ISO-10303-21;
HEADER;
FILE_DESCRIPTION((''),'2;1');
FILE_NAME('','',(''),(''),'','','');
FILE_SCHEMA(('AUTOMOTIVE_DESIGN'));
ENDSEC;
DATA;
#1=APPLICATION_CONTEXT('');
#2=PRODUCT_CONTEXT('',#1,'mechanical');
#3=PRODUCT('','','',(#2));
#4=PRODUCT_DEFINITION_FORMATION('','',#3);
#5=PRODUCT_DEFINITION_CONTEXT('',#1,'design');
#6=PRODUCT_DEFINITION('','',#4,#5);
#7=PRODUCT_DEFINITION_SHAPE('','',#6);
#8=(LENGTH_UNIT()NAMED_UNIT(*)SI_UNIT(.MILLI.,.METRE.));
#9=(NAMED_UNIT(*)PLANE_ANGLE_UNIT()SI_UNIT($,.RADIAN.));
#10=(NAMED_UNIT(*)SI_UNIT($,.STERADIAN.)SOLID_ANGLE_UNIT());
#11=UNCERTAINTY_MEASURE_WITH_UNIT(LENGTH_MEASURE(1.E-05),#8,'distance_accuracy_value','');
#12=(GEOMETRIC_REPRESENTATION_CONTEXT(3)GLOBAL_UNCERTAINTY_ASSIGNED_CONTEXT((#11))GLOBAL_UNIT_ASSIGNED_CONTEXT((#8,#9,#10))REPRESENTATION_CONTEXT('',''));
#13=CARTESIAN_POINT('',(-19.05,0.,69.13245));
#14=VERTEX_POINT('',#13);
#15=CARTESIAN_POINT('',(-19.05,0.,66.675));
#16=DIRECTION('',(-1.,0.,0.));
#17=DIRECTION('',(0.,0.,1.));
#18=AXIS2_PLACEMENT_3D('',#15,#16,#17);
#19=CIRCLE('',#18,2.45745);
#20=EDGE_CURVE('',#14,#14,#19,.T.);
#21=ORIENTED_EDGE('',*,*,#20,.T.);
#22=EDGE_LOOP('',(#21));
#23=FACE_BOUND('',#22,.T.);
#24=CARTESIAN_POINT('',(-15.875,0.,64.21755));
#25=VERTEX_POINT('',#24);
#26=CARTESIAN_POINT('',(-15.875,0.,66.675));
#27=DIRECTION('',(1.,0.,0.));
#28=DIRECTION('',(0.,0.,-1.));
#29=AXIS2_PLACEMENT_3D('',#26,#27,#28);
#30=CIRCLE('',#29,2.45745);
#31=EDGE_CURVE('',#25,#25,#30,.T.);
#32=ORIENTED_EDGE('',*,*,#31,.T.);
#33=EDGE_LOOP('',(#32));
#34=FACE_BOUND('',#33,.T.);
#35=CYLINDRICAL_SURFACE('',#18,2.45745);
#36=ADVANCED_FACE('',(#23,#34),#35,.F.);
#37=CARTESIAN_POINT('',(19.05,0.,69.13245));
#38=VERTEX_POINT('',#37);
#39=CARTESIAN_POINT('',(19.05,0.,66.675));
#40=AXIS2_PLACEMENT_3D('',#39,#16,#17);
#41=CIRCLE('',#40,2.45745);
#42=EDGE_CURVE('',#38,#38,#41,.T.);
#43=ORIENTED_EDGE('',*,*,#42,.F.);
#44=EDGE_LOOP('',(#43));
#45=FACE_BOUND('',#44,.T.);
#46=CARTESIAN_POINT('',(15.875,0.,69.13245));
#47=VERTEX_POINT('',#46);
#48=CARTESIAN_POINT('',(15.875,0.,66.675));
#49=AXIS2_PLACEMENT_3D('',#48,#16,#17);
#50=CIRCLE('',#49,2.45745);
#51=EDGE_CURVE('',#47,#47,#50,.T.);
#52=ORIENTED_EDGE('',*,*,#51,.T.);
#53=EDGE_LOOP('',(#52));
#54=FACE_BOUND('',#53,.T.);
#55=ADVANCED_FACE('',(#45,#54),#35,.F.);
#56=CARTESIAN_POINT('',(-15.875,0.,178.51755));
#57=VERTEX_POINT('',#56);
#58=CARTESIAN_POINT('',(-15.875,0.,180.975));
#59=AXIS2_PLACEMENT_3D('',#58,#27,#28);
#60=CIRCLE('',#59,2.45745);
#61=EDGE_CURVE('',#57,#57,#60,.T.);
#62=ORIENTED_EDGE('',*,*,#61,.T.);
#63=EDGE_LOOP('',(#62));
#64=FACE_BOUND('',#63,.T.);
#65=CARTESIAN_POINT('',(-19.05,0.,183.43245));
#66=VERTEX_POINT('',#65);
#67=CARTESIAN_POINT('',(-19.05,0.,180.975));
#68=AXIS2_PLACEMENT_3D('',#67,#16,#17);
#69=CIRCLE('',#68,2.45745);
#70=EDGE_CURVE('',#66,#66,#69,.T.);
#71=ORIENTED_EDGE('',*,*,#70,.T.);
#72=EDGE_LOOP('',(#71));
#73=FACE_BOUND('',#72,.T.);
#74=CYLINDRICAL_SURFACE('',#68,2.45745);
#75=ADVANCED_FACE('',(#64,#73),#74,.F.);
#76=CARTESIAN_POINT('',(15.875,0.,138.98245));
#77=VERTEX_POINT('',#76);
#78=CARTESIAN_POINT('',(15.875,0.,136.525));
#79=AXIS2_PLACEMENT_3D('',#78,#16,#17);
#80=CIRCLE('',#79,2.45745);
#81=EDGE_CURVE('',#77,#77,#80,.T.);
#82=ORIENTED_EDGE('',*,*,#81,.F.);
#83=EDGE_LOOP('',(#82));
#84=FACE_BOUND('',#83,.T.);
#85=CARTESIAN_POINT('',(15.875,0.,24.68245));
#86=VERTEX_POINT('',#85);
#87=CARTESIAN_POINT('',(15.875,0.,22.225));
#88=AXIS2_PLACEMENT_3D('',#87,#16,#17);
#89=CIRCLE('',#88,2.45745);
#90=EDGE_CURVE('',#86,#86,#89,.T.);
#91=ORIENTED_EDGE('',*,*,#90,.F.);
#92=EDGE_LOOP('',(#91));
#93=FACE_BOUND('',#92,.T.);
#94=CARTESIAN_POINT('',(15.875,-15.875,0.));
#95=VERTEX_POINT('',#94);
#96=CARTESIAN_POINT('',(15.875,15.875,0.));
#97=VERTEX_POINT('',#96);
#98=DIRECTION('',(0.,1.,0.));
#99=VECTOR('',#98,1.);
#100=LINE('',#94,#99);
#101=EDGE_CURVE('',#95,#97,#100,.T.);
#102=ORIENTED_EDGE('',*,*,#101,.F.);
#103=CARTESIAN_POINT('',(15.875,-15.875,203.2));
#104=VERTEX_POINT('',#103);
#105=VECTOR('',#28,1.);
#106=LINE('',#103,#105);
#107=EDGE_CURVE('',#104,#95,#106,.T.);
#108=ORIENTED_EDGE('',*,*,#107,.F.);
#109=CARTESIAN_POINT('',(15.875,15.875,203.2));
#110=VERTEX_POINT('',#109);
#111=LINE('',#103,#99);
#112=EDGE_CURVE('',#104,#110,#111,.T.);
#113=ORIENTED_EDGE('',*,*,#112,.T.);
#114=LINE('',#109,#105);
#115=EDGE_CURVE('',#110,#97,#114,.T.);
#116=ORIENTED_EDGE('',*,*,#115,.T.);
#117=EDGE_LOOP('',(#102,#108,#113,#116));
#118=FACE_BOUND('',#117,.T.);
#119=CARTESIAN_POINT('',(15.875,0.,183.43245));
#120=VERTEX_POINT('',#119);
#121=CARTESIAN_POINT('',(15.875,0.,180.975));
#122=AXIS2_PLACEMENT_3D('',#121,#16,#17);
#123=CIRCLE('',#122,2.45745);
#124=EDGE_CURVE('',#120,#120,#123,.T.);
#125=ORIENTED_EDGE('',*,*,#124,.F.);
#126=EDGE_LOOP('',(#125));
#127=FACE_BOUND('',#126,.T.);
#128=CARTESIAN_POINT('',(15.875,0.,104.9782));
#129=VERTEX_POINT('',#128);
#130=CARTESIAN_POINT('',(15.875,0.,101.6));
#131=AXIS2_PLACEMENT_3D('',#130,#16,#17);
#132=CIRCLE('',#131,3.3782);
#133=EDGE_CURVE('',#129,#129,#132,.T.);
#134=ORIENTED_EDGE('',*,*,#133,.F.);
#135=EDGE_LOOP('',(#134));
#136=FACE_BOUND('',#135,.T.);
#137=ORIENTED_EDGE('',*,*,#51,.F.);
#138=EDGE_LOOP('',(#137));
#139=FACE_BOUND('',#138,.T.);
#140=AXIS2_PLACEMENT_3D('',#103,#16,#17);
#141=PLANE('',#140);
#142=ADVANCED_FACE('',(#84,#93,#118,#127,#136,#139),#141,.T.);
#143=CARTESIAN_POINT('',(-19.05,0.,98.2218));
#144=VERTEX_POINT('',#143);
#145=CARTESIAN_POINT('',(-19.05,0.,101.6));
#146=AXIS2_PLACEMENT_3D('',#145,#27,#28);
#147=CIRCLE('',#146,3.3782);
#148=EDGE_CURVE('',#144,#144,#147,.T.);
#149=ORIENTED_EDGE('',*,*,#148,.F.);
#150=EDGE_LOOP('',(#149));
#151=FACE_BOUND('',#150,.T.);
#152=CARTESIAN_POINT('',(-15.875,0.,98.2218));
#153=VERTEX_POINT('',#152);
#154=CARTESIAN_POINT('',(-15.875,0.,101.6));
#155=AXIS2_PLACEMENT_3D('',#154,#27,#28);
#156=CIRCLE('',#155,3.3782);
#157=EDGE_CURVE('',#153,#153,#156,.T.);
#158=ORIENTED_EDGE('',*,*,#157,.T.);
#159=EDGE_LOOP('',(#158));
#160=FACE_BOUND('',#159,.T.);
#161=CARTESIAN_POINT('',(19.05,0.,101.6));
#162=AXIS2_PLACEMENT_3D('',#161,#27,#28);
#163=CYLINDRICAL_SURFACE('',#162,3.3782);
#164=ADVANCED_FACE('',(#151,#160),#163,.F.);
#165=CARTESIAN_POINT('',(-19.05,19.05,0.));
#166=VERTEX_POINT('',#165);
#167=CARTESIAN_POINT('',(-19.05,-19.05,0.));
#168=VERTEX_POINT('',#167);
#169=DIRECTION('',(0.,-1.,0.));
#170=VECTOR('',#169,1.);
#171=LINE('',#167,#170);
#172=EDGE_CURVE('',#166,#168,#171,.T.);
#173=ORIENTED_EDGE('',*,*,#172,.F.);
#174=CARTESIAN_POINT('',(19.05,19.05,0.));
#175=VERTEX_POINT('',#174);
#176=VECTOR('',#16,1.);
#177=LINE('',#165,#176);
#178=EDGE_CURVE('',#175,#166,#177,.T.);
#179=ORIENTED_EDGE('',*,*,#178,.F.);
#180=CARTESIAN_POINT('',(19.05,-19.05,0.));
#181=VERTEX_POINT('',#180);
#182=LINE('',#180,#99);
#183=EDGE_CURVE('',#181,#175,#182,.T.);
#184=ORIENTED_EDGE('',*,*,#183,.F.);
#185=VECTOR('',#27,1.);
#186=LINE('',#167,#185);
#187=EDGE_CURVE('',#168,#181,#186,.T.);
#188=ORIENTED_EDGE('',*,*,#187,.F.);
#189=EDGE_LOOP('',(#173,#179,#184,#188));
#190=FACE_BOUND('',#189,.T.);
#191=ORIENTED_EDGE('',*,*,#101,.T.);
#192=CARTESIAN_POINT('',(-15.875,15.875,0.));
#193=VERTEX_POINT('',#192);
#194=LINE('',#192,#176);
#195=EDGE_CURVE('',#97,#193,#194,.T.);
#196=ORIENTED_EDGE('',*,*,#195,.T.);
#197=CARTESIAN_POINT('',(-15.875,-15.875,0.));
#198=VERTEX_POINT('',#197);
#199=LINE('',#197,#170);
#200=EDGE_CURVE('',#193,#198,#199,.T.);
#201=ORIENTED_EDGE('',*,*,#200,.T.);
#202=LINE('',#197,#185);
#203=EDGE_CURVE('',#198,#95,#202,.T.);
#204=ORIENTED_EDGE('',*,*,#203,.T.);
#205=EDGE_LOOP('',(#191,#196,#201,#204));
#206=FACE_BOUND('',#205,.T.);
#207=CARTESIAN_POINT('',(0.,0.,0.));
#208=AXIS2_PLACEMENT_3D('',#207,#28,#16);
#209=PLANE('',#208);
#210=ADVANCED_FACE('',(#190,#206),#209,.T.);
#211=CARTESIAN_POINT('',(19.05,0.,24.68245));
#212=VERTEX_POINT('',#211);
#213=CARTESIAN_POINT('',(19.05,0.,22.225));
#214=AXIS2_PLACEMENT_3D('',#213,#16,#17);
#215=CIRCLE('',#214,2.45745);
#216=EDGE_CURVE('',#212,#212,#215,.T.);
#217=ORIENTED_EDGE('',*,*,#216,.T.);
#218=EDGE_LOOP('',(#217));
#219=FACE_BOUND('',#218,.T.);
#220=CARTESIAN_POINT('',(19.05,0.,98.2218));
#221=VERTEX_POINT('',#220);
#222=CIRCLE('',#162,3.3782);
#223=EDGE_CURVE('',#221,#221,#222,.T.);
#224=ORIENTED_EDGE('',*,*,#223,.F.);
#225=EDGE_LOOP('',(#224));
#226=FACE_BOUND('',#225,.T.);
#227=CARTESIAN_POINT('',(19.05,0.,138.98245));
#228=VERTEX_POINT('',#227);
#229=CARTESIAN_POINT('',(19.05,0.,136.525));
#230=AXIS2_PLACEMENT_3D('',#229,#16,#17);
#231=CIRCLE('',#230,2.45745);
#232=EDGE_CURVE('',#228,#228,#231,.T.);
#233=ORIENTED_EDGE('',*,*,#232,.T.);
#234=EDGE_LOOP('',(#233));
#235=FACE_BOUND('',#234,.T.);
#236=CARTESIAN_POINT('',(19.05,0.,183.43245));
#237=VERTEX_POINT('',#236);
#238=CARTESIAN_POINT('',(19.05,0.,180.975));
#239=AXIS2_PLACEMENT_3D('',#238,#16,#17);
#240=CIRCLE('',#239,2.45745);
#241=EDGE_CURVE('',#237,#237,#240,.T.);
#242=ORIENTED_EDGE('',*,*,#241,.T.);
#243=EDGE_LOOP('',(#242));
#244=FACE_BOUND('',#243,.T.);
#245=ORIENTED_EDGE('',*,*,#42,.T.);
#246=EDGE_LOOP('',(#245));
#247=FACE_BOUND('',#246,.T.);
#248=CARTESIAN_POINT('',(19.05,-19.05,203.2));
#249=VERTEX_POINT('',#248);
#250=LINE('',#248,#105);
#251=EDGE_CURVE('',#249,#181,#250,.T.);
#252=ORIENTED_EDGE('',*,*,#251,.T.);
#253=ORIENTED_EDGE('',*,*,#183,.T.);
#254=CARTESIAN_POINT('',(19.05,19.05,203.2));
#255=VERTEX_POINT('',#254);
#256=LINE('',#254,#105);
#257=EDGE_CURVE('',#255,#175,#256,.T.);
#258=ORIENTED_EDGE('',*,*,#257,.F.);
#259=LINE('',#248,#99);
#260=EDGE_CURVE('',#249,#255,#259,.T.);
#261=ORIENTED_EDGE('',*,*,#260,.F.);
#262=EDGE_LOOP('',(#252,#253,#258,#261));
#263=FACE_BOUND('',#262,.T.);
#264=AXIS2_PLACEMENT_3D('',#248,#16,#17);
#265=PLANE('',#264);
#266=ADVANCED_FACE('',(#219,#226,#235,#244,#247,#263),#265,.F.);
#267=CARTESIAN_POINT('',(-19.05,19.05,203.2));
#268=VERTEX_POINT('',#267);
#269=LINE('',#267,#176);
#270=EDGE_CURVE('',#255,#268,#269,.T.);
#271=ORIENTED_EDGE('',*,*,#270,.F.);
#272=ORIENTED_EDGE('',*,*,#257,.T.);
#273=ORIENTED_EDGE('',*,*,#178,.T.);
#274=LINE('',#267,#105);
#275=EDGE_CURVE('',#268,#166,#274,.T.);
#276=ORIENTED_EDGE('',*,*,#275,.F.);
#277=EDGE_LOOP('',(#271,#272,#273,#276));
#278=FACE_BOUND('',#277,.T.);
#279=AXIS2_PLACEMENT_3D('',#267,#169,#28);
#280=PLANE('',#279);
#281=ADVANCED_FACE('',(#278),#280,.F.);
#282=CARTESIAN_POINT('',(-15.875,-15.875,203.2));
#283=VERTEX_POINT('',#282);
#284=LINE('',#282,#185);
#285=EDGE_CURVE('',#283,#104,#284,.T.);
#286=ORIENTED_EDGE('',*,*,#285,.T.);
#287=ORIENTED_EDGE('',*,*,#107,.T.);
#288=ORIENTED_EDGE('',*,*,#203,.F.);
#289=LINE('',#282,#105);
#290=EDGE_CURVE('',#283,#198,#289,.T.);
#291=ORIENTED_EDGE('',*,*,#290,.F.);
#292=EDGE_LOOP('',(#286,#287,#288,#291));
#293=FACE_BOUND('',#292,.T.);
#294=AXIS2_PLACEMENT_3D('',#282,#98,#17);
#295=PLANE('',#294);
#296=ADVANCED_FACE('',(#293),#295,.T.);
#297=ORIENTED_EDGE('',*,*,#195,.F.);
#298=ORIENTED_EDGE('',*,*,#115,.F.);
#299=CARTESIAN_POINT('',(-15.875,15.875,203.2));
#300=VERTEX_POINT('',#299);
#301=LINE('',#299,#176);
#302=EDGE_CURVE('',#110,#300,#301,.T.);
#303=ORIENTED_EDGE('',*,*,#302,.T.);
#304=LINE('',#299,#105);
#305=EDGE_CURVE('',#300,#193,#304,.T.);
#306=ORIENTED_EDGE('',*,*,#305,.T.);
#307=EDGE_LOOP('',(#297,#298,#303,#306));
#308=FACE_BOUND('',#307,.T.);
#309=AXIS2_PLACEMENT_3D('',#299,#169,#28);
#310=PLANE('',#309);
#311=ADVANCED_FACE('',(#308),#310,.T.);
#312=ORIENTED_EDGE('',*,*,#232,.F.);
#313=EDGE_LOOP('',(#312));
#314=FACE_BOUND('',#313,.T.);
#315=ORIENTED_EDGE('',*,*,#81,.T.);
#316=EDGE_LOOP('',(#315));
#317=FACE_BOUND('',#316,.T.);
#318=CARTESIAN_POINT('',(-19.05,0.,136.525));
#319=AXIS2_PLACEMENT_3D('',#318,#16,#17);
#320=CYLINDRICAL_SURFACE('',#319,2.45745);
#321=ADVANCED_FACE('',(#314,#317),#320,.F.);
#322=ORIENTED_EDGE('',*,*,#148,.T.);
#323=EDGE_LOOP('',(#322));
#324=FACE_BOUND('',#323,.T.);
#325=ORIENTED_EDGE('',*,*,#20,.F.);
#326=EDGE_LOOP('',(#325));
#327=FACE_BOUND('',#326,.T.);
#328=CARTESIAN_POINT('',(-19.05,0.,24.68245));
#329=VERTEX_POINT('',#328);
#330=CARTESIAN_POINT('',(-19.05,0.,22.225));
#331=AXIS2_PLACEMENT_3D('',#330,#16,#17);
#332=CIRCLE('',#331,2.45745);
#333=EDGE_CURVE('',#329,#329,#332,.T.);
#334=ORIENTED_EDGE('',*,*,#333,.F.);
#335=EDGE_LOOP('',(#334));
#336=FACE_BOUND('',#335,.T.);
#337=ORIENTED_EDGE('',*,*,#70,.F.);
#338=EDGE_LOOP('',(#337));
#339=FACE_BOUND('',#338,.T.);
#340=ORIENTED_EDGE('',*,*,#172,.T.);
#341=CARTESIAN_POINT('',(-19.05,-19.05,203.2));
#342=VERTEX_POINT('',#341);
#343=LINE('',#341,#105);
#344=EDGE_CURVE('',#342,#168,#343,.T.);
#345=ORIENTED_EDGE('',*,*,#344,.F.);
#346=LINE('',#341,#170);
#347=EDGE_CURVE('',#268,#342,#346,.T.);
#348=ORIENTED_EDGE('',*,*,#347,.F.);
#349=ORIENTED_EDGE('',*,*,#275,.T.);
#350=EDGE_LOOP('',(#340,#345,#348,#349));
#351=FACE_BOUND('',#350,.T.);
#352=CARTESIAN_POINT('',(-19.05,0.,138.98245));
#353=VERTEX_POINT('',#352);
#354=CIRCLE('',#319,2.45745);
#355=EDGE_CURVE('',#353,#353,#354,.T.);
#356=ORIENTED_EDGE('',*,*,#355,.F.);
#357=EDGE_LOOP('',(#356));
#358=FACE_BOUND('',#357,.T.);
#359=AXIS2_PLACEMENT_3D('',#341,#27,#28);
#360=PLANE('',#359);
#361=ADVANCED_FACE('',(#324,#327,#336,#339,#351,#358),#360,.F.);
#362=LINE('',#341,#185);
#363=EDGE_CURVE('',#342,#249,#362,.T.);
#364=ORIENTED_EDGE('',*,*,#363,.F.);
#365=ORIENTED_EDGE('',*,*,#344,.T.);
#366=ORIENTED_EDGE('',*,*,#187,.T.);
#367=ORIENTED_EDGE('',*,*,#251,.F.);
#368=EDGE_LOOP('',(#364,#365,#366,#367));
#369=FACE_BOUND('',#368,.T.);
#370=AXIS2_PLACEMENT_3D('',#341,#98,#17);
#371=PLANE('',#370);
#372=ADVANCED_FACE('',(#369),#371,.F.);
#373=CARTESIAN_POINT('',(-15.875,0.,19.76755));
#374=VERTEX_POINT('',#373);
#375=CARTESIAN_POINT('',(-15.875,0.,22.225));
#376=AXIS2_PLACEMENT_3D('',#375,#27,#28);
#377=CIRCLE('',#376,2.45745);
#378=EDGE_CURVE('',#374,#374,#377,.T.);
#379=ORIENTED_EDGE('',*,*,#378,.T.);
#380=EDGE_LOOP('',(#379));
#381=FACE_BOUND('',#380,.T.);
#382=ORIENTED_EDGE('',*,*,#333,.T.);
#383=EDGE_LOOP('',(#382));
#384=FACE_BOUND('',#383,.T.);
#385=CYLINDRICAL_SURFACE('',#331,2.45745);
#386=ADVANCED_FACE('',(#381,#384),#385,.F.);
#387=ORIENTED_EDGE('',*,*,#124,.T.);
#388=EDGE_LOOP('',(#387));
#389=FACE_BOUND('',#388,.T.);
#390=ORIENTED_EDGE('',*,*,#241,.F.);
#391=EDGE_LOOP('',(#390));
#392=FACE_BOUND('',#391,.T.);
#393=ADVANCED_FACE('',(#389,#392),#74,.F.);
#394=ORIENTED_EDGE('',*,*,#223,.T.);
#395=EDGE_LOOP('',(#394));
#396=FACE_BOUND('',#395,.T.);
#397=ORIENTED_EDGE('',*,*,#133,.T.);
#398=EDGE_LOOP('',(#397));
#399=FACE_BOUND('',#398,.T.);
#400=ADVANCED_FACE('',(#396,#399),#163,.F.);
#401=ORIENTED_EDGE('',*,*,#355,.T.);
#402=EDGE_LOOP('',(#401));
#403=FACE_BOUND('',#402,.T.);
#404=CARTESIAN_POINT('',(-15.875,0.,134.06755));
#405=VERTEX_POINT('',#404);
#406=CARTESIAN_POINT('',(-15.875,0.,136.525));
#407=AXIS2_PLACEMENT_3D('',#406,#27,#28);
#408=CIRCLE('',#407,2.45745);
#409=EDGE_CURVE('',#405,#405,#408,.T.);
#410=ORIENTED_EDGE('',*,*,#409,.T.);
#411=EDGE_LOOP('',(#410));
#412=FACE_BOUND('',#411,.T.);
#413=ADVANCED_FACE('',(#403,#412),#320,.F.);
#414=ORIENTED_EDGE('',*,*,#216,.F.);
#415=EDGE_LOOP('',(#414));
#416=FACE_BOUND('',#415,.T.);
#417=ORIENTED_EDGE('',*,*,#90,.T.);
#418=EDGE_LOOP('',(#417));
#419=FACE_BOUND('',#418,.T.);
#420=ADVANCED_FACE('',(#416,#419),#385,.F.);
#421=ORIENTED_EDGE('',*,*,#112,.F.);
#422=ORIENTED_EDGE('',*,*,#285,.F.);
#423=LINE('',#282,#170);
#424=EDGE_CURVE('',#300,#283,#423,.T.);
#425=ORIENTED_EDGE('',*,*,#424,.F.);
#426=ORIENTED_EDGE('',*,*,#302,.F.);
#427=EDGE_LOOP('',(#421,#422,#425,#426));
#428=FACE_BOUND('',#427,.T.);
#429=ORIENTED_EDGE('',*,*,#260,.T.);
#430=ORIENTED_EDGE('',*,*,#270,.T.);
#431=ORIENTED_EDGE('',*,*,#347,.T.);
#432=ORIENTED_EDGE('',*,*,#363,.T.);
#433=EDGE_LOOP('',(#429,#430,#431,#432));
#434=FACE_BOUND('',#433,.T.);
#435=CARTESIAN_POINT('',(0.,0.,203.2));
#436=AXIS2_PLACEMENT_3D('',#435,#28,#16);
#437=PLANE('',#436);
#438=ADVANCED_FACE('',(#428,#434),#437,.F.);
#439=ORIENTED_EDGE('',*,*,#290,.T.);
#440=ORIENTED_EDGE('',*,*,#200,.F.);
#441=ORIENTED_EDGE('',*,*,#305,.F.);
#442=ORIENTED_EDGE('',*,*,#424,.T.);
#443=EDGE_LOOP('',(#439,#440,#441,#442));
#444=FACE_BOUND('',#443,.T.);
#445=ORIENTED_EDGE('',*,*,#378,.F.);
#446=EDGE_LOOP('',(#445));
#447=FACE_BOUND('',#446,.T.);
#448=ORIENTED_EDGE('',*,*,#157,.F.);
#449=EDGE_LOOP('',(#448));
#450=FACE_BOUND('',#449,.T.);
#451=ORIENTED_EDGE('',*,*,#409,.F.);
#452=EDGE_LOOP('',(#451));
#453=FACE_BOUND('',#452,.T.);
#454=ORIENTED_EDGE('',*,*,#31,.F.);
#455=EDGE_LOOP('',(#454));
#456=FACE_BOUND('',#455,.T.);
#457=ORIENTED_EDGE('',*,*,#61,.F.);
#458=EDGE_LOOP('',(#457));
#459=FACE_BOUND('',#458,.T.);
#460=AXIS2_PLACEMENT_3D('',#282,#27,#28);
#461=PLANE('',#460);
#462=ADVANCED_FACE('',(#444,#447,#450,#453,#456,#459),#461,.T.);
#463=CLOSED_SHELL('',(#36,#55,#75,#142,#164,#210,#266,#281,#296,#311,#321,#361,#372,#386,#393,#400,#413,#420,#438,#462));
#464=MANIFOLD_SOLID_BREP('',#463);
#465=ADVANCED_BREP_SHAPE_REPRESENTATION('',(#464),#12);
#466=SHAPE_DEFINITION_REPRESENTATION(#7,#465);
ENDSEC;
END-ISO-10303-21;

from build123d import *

# Parameters (mm, degrees)
SKETCH1_W                    = 38.1
SKETCH1_H                    = 38.1
SKETCH1_W_2                  = 31.75
SKETCH1_H_2                  = 31.75
BOSS_EXTRUDE1_DEPTH          = 203.2
F_10_0_1935_DIAMETER_HOLE1_D = 4.9149
F_1_4_CLEARANCE_HOLE1_D      = 6.7564


with BuildPart() as part:
    # Sketch1 → Boss-Extrude1 (new body)
    with BuildSketch(Plane.XY):
        Rectangle(SKETCH1_W, SKETCH1_H)
        Rectangle(SKETCH1_W_2, SKETCH1_H_2, mode=Mode.SUBTRACT)
    extrude(amount=BOSS_EXTRUDE1_DEPTH)

    # #10 (0.1935) Diameter Hole1 (through all)
    with Locations(Plane.ZY.offset(19.05)):
        with Locations((22.225, 0), (66.675, 0), (136.525, 0), (180.975, 0)):
            Hole(F_10_0_1935_DIAMETER_HOLE1_D / 2)

    # 1/4 Clearance Hole1 (through all)
    with Locations(Plane(origin=(19.05, 0, 0), x_dir=(0, 0, -1), z_dir=(1, 0, 0))):
        with Locations((-101.6, 0)):
            Hole(F_1_4_CLEARANCE_HOLE1_D / 2)


solid = part.part
